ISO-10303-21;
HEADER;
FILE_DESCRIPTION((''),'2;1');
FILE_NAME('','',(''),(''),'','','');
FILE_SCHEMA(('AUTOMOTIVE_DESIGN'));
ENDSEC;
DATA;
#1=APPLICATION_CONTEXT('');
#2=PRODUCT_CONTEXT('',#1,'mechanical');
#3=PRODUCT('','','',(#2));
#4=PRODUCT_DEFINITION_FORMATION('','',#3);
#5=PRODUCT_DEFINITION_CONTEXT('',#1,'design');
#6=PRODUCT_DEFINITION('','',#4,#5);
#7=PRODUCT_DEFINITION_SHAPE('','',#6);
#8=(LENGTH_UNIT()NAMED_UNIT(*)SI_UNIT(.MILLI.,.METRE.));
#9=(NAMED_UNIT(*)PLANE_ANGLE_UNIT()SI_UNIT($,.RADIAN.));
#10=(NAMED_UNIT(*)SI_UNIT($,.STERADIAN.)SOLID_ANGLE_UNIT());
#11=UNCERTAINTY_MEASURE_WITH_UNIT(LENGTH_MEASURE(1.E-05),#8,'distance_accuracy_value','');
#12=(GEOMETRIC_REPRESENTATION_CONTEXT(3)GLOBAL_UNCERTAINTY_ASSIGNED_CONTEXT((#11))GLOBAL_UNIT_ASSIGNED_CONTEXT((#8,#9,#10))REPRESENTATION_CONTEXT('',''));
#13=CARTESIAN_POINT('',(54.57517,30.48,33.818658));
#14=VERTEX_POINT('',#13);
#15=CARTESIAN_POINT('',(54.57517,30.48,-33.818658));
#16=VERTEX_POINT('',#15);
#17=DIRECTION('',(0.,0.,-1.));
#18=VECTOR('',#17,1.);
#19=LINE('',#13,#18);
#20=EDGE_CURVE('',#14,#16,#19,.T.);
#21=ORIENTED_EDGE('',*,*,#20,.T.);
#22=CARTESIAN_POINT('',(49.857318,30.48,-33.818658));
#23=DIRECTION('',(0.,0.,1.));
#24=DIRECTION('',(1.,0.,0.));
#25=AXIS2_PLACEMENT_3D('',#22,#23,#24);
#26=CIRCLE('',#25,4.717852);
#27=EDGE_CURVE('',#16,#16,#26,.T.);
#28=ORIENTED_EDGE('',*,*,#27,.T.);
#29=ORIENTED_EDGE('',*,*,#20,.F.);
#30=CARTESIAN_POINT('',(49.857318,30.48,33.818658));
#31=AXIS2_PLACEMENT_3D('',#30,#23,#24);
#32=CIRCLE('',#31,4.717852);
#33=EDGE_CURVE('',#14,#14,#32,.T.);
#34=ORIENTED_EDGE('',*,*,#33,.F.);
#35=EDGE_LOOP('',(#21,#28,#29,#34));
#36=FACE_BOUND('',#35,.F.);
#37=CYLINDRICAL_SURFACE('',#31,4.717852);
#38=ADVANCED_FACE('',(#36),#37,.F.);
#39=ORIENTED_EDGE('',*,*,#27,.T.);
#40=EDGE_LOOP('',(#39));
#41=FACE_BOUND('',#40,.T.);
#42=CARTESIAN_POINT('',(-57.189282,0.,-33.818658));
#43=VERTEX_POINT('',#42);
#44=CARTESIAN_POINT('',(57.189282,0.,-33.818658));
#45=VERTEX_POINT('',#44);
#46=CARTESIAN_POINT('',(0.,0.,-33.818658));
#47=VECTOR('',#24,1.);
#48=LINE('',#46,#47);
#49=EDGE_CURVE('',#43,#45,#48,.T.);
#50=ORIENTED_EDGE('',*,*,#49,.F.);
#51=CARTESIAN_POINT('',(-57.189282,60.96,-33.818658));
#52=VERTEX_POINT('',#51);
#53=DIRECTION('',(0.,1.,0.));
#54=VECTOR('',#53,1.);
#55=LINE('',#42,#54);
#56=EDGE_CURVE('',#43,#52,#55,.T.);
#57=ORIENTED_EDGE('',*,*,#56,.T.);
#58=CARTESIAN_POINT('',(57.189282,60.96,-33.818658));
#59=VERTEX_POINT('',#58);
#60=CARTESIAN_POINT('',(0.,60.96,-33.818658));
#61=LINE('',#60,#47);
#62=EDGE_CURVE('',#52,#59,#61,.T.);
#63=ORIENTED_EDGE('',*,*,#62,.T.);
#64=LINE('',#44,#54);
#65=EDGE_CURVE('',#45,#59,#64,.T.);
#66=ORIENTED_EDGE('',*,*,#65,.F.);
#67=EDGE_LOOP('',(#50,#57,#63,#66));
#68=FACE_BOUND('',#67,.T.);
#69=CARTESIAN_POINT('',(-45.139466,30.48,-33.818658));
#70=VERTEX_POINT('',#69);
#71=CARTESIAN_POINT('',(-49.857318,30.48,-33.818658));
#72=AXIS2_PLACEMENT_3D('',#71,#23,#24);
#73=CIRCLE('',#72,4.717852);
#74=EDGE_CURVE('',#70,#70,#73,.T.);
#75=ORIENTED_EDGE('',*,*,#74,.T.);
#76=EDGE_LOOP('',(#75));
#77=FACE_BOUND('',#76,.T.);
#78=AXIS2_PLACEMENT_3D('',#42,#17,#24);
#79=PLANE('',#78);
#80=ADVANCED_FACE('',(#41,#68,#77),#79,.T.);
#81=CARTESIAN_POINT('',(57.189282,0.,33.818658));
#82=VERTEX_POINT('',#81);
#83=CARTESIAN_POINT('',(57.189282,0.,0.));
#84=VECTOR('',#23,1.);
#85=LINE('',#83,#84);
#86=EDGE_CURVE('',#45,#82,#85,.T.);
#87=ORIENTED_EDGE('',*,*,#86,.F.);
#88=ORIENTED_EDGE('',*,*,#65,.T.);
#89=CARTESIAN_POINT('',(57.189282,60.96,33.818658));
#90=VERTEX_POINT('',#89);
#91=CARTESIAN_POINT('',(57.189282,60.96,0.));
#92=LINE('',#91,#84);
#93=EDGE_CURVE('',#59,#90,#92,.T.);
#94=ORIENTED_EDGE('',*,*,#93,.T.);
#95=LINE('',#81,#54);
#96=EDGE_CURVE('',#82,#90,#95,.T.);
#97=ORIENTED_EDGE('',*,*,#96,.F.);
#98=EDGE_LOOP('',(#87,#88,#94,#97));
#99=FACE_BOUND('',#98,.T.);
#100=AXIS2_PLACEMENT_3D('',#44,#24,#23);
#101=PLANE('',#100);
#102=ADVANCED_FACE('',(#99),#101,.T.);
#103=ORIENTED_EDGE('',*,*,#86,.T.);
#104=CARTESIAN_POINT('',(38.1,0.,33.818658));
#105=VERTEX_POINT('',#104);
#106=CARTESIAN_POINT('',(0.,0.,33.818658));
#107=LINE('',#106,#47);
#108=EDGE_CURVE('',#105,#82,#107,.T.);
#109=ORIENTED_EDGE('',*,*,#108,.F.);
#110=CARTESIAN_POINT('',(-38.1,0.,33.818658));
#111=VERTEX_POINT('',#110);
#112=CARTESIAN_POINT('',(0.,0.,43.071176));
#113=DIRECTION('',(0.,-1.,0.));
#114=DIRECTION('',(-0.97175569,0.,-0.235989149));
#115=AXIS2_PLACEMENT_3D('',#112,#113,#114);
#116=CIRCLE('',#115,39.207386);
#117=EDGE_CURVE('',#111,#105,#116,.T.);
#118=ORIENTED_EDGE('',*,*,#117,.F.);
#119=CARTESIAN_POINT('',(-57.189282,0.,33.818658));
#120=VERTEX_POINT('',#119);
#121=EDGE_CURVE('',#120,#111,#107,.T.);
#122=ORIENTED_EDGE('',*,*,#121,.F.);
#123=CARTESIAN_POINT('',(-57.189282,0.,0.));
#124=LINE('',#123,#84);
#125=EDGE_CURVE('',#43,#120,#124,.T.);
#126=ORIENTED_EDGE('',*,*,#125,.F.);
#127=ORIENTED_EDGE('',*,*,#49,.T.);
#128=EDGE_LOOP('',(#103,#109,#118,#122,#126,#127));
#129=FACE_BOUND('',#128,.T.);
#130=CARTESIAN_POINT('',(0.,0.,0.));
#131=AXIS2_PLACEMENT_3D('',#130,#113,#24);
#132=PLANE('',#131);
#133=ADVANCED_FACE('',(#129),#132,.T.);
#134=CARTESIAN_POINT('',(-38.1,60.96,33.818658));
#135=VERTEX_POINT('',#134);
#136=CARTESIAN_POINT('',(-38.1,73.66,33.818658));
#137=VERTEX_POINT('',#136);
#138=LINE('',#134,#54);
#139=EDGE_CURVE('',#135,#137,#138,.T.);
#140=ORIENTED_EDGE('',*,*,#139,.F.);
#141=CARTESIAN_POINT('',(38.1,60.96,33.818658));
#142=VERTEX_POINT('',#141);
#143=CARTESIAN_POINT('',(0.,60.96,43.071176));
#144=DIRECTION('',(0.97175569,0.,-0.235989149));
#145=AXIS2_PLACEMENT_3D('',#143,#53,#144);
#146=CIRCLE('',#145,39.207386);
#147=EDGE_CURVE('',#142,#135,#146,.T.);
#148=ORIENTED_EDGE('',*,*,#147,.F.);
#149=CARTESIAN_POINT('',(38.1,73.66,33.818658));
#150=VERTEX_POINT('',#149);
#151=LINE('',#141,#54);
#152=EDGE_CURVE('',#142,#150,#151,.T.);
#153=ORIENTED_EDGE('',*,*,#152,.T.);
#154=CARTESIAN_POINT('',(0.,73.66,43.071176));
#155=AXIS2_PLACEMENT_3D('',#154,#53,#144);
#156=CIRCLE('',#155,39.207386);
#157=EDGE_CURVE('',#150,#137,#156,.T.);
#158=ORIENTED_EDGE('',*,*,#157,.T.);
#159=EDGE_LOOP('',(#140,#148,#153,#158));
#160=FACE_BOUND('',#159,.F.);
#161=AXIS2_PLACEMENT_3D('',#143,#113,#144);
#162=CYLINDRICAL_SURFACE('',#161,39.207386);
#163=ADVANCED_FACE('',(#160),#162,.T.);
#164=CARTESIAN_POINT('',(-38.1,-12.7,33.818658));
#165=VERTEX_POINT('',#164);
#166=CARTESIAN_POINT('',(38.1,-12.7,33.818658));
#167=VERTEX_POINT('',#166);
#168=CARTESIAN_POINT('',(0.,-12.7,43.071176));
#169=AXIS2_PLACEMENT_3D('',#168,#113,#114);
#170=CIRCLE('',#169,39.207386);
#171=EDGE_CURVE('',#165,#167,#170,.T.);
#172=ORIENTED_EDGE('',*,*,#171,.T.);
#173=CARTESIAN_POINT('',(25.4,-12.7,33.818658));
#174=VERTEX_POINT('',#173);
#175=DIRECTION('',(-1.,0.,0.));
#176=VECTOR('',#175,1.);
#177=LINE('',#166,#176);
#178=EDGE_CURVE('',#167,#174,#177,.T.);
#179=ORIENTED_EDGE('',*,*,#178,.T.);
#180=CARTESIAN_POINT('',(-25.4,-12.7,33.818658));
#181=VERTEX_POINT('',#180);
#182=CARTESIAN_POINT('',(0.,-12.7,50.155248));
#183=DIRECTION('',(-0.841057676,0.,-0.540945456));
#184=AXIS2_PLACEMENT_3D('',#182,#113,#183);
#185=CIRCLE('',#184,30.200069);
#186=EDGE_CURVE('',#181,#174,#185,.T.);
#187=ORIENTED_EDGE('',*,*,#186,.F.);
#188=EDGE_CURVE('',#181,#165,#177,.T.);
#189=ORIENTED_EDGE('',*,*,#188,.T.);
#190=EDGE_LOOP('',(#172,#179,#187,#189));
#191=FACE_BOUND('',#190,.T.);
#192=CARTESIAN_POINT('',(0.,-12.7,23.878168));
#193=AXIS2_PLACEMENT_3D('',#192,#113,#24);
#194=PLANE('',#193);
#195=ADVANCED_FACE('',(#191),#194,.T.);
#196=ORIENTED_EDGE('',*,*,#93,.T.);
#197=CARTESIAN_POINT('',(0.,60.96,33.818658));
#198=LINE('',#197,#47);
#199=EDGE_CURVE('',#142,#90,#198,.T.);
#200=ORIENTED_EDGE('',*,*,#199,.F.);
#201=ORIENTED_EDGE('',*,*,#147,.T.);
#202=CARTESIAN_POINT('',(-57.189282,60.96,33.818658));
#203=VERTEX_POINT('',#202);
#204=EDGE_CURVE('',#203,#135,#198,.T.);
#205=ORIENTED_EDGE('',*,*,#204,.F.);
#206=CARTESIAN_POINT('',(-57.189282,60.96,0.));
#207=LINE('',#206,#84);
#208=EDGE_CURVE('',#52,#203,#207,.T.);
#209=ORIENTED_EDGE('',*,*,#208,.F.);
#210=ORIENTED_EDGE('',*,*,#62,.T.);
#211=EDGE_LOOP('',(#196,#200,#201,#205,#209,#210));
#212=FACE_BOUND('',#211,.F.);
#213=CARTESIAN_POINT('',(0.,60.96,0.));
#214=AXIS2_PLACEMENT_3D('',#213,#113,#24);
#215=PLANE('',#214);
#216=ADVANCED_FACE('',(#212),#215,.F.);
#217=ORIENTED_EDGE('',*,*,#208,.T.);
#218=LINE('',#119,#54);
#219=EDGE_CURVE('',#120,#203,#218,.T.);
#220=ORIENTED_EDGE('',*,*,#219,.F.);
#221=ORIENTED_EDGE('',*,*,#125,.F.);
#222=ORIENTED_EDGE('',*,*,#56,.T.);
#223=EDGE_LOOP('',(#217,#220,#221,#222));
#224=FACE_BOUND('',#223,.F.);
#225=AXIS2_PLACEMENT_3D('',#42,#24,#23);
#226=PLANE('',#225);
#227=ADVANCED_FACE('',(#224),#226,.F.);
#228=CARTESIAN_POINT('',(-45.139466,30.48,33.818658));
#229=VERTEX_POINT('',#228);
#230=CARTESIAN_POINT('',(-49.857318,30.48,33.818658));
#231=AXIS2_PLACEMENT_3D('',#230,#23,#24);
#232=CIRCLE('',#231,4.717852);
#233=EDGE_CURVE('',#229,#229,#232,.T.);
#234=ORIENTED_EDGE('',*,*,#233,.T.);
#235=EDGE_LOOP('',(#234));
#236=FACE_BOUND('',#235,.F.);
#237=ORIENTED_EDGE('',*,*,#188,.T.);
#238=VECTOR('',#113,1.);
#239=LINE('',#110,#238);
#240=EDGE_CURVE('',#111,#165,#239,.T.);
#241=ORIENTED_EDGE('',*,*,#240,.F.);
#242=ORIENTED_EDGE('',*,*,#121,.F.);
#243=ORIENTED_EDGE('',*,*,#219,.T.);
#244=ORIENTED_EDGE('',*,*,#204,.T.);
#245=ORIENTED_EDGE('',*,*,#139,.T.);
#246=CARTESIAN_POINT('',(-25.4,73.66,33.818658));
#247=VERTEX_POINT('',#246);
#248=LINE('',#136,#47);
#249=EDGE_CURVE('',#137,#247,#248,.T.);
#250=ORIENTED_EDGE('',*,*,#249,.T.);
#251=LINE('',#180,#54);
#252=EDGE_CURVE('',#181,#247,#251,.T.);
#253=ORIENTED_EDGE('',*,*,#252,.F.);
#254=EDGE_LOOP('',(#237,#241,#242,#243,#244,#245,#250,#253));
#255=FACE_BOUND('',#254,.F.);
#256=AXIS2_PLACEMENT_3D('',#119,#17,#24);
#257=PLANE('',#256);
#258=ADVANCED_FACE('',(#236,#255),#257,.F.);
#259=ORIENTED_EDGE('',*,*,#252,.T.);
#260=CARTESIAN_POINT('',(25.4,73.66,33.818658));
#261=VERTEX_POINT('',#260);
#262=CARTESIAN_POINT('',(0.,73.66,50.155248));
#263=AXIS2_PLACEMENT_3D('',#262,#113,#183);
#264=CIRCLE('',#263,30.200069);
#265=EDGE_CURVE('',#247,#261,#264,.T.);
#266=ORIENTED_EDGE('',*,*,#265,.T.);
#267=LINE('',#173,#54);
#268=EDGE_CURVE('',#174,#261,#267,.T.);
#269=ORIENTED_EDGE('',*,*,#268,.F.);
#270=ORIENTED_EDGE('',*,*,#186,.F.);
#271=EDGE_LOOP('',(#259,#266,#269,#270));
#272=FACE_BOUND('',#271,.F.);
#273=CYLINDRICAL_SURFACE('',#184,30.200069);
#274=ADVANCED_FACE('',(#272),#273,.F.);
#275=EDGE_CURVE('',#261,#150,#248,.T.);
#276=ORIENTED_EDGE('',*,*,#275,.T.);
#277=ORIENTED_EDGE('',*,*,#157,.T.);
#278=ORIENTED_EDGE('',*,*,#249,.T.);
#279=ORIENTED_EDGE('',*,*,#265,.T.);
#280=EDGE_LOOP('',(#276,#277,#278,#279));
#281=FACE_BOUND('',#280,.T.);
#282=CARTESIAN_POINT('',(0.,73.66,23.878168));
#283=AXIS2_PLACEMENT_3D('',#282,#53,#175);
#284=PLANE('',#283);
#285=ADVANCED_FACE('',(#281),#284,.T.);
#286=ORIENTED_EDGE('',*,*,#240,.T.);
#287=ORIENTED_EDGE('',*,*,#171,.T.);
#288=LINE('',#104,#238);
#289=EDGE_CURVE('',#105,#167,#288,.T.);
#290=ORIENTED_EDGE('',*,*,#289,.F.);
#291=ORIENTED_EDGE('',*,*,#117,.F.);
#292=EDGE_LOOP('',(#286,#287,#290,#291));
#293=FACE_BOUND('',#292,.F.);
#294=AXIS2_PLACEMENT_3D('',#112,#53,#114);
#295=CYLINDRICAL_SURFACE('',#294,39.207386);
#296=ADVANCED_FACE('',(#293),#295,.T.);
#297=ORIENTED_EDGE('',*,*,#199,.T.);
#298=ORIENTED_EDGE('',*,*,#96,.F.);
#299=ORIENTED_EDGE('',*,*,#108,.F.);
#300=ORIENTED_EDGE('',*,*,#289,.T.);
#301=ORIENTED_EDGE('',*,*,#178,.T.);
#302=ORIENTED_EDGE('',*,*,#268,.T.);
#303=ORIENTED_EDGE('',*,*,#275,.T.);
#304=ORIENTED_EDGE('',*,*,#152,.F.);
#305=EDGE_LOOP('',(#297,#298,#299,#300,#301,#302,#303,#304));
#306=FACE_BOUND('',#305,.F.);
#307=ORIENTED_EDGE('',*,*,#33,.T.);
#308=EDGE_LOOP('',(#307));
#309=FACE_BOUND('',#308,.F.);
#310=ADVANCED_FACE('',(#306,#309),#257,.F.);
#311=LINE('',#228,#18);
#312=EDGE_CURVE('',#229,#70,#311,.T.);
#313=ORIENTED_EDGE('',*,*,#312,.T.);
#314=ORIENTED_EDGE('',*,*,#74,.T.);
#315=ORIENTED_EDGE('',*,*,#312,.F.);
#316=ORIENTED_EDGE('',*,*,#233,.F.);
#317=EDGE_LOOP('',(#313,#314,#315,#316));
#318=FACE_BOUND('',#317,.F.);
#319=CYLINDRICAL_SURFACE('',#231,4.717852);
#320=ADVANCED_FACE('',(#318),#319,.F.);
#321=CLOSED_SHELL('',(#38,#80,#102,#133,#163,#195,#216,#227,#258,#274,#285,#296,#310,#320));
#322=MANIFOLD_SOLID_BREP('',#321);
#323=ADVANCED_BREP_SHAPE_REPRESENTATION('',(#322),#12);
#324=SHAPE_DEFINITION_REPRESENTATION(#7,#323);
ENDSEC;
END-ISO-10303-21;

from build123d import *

# Parameters (mm, degrees)
F0_W     = 114.378564
F0_H     = 67.637316
F1_DEPTH = 60.96
F3_DEPTH = 12.7
F5_DEPTH = 12.7
F7_DEPTH = 86.361
F8_R     = 4.717852
F9_DEPTH = 67.638317


with BuildPart() as f1:
    # F0 (on Front) → F1 (new body)
    with BuildSketch(Plane.XZ):
        Rectangle(F0_W, F0_H)
    extrude(amount=-F1_DEPTH)

    # F2 (on face) → F3 (join)
    with BuildSketch(Plane(origin=(0, 60.96, 0), x_dir=(-1, 0, 0), z_dir=(0, 1, 0))):
        with BuildLine():
            Line((0, 33.818658), (-38.1, 33.818658))
            ThreePointArc((-38.1, 33.818658), (0, 3.86379), (38.1, 33.818658))
            Line((38.1, 33.818658), (0, 33.818658))
        make_face()
    extrude(amount=F3_DEPTH)

    # F4 (on face) → F5 (join)
    with BuildSketch(Plane.XZ):
        with BuildLine():
            ThreePointArc((-38.1, 33.818658), (0, 3.86379), (38.1, 33.818658))
            Line((38.1, 33.818658), (-38.1, 33.818658))
        make_face()
    extrude(amount=F5_DEPTH)

    # F6 (on face) → F7 (cut, through all)
    with BuildSketch(Plane.XZ.offset(12.7)):
        with BuildLine():
            Line((0, 33.818658), (-25.4, 33.818658))
            ThreePointArc((-25.4, 33.818658), (0, 19.955179), (25.4, 33.818658))
            Line((25.4, 33.818658), (0, 33.818658))
        make_face()
    extrude(amount=-F7_DEPTH, mode=Mode.SUBTRACT)

    # F8 (on face) → F9 (cut, through all)
    with BuildSketch(Plane.XY.offset(33.818658)):
        with Locations((-49.857318, 30.48)):
            Circle(F8_R)
        with Locations((49.857318, 30.48)):
            Circle(F8_R)
    extrude(amount=-F9_DEPTH, mode=Mode.SUBTRACT)


solid = f1.part
